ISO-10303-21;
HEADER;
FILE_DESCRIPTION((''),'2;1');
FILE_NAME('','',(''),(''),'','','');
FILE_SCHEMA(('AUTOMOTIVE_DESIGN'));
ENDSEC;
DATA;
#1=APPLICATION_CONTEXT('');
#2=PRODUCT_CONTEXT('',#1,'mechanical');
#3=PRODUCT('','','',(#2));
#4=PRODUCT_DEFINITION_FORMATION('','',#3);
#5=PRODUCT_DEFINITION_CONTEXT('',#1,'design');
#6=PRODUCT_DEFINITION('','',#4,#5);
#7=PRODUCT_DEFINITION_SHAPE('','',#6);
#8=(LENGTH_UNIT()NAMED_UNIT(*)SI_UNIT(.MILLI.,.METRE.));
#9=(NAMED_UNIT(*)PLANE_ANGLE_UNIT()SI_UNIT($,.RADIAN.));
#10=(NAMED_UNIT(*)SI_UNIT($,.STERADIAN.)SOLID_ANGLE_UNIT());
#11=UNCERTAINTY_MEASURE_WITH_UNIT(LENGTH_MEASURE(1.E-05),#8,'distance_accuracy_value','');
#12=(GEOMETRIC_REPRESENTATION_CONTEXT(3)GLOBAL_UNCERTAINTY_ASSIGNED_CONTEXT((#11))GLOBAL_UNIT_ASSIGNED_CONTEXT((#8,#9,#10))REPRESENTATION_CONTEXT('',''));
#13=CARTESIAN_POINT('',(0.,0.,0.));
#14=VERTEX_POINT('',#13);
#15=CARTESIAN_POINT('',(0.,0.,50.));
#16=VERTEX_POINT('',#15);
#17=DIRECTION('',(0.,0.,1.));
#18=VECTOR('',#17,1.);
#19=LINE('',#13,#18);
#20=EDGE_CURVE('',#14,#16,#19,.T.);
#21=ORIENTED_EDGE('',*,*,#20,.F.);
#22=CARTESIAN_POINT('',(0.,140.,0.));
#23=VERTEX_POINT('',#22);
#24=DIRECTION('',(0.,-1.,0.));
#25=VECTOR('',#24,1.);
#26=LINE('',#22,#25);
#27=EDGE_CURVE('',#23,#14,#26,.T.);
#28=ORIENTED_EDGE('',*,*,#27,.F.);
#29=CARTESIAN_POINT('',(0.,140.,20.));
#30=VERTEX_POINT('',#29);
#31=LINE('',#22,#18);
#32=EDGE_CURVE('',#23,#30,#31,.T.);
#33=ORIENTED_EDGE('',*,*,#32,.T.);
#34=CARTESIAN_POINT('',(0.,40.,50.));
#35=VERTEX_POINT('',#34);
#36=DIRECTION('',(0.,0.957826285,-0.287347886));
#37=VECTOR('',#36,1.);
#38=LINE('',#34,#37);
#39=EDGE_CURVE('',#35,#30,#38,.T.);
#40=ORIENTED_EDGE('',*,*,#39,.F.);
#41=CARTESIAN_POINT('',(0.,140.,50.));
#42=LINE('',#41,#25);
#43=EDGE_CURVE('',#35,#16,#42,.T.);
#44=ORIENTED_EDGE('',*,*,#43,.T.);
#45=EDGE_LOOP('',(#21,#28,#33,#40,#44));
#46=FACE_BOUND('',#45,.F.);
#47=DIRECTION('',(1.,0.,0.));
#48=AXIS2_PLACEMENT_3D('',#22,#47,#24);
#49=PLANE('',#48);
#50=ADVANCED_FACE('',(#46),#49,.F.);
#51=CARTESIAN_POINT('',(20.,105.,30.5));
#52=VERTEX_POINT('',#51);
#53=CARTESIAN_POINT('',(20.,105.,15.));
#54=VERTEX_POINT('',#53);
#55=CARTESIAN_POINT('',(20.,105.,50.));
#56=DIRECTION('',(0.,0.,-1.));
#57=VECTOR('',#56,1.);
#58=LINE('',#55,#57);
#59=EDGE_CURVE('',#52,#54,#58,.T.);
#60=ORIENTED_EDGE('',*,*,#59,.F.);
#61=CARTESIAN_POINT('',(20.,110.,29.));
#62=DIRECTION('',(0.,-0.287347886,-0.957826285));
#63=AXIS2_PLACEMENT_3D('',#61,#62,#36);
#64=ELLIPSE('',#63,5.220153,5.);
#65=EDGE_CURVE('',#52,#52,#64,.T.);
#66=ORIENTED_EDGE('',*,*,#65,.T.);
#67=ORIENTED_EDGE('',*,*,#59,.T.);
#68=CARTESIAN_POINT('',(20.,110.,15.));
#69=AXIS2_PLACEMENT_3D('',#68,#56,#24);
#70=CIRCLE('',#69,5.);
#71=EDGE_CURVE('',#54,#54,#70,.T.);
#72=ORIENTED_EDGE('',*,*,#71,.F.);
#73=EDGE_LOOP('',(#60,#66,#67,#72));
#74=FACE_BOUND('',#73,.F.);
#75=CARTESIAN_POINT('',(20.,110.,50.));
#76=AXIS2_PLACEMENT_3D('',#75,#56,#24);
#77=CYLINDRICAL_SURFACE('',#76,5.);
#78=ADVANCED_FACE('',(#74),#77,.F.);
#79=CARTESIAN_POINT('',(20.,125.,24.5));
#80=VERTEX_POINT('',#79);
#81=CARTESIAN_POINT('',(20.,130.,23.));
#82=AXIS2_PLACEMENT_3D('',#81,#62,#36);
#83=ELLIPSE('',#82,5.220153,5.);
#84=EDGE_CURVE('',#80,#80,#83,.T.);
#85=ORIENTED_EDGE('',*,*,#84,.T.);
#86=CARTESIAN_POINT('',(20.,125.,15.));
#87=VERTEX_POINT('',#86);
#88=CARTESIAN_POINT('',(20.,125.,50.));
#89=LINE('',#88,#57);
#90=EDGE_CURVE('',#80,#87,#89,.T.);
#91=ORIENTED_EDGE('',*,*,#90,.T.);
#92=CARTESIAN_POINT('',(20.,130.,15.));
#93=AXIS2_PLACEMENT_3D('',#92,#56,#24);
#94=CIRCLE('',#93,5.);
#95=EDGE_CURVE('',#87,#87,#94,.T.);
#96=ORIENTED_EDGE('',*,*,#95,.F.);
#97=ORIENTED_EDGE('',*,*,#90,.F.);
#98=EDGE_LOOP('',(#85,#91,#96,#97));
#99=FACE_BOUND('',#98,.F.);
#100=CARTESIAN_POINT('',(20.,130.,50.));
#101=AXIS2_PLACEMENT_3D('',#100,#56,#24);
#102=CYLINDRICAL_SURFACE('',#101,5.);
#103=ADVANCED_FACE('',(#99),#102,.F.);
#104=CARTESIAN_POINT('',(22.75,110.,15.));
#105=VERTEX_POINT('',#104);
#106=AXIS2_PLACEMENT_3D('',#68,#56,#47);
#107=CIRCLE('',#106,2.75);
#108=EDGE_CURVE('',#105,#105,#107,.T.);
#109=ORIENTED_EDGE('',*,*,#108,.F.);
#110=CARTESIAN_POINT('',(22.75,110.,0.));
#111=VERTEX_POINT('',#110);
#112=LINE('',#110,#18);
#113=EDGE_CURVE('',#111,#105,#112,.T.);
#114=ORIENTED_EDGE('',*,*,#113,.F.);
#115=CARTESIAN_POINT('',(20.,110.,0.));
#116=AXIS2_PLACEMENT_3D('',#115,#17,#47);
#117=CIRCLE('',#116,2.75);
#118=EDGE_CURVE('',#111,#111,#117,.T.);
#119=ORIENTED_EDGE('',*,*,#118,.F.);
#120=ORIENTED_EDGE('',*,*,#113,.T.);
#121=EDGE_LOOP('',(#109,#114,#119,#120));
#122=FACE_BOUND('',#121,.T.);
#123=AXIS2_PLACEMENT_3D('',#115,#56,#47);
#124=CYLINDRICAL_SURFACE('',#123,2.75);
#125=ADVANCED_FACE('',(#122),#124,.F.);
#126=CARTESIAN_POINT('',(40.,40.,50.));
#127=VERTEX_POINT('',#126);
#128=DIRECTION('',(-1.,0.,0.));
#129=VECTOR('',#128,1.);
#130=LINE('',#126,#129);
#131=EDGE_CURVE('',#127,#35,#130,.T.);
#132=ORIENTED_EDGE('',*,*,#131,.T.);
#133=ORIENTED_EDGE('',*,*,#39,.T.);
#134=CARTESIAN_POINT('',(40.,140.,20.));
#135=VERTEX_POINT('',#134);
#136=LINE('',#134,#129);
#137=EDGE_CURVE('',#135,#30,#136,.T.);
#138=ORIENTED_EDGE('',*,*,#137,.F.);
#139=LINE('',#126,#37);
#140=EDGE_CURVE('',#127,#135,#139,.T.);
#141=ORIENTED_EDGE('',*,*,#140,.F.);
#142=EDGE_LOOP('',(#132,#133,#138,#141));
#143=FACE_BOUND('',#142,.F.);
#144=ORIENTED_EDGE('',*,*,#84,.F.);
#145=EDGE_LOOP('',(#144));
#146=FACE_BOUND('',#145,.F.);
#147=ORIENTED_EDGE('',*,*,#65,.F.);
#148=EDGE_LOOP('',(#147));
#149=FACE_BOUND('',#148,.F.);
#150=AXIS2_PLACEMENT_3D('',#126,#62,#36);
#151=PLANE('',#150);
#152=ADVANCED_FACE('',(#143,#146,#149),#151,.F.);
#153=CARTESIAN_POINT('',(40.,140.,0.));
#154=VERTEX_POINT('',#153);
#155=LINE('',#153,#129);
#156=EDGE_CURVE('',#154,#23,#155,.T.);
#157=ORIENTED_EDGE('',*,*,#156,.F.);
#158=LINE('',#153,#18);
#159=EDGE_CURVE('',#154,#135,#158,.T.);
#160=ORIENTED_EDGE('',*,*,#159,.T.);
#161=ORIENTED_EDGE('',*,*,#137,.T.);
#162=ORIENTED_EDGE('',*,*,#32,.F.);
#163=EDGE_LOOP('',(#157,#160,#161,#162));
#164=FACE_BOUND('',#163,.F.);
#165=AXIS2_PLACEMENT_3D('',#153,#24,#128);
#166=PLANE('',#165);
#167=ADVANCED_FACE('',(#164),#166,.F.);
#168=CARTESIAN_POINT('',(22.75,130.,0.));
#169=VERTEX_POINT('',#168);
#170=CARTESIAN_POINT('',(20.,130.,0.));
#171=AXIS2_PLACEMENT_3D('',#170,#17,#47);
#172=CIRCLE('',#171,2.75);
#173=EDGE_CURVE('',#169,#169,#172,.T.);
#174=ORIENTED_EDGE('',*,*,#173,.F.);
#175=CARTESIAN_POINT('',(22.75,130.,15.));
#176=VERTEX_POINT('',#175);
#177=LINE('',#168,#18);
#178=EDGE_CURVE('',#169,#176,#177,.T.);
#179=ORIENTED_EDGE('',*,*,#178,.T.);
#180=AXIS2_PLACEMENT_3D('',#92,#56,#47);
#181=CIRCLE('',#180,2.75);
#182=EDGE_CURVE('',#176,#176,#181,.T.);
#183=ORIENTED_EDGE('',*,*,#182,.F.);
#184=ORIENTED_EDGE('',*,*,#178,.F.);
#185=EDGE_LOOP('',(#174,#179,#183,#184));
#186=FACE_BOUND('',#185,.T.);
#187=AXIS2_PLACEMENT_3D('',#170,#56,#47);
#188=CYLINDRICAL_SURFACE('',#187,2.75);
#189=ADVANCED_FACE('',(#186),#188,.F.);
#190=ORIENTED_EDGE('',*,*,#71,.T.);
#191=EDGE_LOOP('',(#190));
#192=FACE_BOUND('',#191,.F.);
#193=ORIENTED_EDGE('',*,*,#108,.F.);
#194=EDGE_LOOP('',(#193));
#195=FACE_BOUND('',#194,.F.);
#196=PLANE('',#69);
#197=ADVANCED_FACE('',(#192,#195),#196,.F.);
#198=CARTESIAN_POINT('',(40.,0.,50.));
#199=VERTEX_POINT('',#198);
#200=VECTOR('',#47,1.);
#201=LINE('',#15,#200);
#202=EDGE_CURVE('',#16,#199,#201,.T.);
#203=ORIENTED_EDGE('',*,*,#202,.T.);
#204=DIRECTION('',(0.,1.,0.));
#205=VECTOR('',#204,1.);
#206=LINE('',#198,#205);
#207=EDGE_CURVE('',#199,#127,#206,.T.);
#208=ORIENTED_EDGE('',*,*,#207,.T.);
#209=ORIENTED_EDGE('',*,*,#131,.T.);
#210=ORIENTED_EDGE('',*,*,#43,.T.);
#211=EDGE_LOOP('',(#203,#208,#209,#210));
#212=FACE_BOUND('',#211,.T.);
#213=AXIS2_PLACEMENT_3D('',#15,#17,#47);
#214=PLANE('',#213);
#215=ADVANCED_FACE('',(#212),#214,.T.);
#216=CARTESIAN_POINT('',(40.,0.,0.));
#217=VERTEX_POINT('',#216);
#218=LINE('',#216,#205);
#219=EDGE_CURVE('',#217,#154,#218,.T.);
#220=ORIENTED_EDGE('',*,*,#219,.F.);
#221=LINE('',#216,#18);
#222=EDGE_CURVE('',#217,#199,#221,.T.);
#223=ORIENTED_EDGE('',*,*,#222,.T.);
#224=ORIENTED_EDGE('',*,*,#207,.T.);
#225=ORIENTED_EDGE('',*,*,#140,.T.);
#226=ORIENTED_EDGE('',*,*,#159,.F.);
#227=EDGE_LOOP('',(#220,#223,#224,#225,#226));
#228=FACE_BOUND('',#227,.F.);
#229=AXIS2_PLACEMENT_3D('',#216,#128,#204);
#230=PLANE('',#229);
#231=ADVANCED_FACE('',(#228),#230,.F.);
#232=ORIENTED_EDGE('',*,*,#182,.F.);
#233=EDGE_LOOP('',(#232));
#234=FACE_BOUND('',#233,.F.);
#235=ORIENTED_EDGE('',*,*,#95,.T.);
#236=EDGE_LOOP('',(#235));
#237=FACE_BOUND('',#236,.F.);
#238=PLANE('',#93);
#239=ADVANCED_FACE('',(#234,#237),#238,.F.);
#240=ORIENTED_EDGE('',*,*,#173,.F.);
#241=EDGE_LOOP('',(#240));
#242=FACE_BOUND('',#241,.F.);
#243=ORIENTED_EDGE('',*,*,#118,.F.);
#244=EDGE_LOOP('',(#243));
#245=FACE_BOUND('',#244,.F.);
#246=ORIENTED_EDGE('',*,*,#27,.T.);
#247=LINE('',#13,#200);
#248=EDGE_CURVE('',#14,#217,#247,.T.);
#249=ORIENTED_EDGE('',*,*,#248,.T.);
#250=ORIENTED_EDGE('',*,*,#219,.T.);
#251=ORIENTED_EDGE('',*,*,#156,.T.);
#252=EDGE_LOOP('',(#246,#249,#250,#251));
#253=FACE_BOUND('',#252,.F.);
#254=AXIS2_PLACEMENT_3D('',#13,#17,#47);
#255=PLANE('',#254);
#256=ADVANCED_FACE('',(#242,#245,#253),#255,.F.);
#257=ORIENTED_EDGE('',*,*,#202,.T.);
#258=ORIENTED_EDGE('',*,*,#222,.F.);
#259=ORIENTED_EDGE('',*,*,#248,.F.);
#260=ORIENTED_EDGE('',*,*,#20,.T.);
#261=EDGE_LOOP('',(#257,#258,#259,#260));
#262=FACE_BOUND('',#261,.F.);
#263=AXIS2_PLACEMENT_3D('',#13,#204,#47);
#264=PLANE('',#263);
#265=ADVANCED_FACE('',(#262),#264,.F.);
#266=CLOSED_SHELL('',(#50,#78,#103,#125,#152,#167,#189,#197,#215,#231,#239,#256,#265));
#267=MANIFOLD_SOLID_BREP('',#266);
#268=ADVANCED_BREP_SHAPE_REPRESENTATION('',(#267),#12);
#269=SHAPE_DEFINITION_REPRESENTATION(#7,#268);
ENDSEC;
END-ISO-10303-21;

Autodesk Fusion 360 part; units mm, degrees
sketch "Sketch1" plane through (0, 0, 0) normal (0, 0, 1) x (1, 0, 0)
  line L0 (0, 0) -> (40, 0)
  line L1 (40, 0) -> (40, 140)
  line L2 (40, 140) -> (0, 140)
  line L3 (0, 140) -> (0, 0)
  circle A0 centre (20, 130) radius 2.75
  circle A1 centre (20, 110) radius 2.75
  dimension "d1" = 40
  dimension "d2" = 140
  dimension "d3" = 5.5
  dimension "d4" = 20
  dimension "d5" = 10
  dimension "d6" = 5.5
  dimension "d7" = 20
  dimension "d8" = 20
extrude "Extrude1" add sketch "Sketch1" along normal blind 50
hole "Hole1" at (20, 130, 50) direction (0, 0, -1) diameter 10 depth 35 tip angle 180
hole "Hole2" at (20, 110, 50) direction (0, 0, -1) diameter 10 depth 35 tip angle 180
sketch "Sketch2" plane through (40, 0, 0) normal (1, 0, 0) x (0, 0, -1)
  line L0 (0, 0) -> (0, 140)
  line L1 (0, 140) -> (-50, 140)
  line L2 (-50, 140) -> (-50, 0)
  line L3 (-50, 0) -> (0, 0)
  line L4 (-50, 140) -> (-20, 140)
  line L5 (-50, 140) -> (-50, 40)
  line L6 (-50, 40) -> (-20, 140)
extrude "Extrude2" cut sketch "Sketch2" against normal blind 40 contours L1 L2 L4 L5 L6
